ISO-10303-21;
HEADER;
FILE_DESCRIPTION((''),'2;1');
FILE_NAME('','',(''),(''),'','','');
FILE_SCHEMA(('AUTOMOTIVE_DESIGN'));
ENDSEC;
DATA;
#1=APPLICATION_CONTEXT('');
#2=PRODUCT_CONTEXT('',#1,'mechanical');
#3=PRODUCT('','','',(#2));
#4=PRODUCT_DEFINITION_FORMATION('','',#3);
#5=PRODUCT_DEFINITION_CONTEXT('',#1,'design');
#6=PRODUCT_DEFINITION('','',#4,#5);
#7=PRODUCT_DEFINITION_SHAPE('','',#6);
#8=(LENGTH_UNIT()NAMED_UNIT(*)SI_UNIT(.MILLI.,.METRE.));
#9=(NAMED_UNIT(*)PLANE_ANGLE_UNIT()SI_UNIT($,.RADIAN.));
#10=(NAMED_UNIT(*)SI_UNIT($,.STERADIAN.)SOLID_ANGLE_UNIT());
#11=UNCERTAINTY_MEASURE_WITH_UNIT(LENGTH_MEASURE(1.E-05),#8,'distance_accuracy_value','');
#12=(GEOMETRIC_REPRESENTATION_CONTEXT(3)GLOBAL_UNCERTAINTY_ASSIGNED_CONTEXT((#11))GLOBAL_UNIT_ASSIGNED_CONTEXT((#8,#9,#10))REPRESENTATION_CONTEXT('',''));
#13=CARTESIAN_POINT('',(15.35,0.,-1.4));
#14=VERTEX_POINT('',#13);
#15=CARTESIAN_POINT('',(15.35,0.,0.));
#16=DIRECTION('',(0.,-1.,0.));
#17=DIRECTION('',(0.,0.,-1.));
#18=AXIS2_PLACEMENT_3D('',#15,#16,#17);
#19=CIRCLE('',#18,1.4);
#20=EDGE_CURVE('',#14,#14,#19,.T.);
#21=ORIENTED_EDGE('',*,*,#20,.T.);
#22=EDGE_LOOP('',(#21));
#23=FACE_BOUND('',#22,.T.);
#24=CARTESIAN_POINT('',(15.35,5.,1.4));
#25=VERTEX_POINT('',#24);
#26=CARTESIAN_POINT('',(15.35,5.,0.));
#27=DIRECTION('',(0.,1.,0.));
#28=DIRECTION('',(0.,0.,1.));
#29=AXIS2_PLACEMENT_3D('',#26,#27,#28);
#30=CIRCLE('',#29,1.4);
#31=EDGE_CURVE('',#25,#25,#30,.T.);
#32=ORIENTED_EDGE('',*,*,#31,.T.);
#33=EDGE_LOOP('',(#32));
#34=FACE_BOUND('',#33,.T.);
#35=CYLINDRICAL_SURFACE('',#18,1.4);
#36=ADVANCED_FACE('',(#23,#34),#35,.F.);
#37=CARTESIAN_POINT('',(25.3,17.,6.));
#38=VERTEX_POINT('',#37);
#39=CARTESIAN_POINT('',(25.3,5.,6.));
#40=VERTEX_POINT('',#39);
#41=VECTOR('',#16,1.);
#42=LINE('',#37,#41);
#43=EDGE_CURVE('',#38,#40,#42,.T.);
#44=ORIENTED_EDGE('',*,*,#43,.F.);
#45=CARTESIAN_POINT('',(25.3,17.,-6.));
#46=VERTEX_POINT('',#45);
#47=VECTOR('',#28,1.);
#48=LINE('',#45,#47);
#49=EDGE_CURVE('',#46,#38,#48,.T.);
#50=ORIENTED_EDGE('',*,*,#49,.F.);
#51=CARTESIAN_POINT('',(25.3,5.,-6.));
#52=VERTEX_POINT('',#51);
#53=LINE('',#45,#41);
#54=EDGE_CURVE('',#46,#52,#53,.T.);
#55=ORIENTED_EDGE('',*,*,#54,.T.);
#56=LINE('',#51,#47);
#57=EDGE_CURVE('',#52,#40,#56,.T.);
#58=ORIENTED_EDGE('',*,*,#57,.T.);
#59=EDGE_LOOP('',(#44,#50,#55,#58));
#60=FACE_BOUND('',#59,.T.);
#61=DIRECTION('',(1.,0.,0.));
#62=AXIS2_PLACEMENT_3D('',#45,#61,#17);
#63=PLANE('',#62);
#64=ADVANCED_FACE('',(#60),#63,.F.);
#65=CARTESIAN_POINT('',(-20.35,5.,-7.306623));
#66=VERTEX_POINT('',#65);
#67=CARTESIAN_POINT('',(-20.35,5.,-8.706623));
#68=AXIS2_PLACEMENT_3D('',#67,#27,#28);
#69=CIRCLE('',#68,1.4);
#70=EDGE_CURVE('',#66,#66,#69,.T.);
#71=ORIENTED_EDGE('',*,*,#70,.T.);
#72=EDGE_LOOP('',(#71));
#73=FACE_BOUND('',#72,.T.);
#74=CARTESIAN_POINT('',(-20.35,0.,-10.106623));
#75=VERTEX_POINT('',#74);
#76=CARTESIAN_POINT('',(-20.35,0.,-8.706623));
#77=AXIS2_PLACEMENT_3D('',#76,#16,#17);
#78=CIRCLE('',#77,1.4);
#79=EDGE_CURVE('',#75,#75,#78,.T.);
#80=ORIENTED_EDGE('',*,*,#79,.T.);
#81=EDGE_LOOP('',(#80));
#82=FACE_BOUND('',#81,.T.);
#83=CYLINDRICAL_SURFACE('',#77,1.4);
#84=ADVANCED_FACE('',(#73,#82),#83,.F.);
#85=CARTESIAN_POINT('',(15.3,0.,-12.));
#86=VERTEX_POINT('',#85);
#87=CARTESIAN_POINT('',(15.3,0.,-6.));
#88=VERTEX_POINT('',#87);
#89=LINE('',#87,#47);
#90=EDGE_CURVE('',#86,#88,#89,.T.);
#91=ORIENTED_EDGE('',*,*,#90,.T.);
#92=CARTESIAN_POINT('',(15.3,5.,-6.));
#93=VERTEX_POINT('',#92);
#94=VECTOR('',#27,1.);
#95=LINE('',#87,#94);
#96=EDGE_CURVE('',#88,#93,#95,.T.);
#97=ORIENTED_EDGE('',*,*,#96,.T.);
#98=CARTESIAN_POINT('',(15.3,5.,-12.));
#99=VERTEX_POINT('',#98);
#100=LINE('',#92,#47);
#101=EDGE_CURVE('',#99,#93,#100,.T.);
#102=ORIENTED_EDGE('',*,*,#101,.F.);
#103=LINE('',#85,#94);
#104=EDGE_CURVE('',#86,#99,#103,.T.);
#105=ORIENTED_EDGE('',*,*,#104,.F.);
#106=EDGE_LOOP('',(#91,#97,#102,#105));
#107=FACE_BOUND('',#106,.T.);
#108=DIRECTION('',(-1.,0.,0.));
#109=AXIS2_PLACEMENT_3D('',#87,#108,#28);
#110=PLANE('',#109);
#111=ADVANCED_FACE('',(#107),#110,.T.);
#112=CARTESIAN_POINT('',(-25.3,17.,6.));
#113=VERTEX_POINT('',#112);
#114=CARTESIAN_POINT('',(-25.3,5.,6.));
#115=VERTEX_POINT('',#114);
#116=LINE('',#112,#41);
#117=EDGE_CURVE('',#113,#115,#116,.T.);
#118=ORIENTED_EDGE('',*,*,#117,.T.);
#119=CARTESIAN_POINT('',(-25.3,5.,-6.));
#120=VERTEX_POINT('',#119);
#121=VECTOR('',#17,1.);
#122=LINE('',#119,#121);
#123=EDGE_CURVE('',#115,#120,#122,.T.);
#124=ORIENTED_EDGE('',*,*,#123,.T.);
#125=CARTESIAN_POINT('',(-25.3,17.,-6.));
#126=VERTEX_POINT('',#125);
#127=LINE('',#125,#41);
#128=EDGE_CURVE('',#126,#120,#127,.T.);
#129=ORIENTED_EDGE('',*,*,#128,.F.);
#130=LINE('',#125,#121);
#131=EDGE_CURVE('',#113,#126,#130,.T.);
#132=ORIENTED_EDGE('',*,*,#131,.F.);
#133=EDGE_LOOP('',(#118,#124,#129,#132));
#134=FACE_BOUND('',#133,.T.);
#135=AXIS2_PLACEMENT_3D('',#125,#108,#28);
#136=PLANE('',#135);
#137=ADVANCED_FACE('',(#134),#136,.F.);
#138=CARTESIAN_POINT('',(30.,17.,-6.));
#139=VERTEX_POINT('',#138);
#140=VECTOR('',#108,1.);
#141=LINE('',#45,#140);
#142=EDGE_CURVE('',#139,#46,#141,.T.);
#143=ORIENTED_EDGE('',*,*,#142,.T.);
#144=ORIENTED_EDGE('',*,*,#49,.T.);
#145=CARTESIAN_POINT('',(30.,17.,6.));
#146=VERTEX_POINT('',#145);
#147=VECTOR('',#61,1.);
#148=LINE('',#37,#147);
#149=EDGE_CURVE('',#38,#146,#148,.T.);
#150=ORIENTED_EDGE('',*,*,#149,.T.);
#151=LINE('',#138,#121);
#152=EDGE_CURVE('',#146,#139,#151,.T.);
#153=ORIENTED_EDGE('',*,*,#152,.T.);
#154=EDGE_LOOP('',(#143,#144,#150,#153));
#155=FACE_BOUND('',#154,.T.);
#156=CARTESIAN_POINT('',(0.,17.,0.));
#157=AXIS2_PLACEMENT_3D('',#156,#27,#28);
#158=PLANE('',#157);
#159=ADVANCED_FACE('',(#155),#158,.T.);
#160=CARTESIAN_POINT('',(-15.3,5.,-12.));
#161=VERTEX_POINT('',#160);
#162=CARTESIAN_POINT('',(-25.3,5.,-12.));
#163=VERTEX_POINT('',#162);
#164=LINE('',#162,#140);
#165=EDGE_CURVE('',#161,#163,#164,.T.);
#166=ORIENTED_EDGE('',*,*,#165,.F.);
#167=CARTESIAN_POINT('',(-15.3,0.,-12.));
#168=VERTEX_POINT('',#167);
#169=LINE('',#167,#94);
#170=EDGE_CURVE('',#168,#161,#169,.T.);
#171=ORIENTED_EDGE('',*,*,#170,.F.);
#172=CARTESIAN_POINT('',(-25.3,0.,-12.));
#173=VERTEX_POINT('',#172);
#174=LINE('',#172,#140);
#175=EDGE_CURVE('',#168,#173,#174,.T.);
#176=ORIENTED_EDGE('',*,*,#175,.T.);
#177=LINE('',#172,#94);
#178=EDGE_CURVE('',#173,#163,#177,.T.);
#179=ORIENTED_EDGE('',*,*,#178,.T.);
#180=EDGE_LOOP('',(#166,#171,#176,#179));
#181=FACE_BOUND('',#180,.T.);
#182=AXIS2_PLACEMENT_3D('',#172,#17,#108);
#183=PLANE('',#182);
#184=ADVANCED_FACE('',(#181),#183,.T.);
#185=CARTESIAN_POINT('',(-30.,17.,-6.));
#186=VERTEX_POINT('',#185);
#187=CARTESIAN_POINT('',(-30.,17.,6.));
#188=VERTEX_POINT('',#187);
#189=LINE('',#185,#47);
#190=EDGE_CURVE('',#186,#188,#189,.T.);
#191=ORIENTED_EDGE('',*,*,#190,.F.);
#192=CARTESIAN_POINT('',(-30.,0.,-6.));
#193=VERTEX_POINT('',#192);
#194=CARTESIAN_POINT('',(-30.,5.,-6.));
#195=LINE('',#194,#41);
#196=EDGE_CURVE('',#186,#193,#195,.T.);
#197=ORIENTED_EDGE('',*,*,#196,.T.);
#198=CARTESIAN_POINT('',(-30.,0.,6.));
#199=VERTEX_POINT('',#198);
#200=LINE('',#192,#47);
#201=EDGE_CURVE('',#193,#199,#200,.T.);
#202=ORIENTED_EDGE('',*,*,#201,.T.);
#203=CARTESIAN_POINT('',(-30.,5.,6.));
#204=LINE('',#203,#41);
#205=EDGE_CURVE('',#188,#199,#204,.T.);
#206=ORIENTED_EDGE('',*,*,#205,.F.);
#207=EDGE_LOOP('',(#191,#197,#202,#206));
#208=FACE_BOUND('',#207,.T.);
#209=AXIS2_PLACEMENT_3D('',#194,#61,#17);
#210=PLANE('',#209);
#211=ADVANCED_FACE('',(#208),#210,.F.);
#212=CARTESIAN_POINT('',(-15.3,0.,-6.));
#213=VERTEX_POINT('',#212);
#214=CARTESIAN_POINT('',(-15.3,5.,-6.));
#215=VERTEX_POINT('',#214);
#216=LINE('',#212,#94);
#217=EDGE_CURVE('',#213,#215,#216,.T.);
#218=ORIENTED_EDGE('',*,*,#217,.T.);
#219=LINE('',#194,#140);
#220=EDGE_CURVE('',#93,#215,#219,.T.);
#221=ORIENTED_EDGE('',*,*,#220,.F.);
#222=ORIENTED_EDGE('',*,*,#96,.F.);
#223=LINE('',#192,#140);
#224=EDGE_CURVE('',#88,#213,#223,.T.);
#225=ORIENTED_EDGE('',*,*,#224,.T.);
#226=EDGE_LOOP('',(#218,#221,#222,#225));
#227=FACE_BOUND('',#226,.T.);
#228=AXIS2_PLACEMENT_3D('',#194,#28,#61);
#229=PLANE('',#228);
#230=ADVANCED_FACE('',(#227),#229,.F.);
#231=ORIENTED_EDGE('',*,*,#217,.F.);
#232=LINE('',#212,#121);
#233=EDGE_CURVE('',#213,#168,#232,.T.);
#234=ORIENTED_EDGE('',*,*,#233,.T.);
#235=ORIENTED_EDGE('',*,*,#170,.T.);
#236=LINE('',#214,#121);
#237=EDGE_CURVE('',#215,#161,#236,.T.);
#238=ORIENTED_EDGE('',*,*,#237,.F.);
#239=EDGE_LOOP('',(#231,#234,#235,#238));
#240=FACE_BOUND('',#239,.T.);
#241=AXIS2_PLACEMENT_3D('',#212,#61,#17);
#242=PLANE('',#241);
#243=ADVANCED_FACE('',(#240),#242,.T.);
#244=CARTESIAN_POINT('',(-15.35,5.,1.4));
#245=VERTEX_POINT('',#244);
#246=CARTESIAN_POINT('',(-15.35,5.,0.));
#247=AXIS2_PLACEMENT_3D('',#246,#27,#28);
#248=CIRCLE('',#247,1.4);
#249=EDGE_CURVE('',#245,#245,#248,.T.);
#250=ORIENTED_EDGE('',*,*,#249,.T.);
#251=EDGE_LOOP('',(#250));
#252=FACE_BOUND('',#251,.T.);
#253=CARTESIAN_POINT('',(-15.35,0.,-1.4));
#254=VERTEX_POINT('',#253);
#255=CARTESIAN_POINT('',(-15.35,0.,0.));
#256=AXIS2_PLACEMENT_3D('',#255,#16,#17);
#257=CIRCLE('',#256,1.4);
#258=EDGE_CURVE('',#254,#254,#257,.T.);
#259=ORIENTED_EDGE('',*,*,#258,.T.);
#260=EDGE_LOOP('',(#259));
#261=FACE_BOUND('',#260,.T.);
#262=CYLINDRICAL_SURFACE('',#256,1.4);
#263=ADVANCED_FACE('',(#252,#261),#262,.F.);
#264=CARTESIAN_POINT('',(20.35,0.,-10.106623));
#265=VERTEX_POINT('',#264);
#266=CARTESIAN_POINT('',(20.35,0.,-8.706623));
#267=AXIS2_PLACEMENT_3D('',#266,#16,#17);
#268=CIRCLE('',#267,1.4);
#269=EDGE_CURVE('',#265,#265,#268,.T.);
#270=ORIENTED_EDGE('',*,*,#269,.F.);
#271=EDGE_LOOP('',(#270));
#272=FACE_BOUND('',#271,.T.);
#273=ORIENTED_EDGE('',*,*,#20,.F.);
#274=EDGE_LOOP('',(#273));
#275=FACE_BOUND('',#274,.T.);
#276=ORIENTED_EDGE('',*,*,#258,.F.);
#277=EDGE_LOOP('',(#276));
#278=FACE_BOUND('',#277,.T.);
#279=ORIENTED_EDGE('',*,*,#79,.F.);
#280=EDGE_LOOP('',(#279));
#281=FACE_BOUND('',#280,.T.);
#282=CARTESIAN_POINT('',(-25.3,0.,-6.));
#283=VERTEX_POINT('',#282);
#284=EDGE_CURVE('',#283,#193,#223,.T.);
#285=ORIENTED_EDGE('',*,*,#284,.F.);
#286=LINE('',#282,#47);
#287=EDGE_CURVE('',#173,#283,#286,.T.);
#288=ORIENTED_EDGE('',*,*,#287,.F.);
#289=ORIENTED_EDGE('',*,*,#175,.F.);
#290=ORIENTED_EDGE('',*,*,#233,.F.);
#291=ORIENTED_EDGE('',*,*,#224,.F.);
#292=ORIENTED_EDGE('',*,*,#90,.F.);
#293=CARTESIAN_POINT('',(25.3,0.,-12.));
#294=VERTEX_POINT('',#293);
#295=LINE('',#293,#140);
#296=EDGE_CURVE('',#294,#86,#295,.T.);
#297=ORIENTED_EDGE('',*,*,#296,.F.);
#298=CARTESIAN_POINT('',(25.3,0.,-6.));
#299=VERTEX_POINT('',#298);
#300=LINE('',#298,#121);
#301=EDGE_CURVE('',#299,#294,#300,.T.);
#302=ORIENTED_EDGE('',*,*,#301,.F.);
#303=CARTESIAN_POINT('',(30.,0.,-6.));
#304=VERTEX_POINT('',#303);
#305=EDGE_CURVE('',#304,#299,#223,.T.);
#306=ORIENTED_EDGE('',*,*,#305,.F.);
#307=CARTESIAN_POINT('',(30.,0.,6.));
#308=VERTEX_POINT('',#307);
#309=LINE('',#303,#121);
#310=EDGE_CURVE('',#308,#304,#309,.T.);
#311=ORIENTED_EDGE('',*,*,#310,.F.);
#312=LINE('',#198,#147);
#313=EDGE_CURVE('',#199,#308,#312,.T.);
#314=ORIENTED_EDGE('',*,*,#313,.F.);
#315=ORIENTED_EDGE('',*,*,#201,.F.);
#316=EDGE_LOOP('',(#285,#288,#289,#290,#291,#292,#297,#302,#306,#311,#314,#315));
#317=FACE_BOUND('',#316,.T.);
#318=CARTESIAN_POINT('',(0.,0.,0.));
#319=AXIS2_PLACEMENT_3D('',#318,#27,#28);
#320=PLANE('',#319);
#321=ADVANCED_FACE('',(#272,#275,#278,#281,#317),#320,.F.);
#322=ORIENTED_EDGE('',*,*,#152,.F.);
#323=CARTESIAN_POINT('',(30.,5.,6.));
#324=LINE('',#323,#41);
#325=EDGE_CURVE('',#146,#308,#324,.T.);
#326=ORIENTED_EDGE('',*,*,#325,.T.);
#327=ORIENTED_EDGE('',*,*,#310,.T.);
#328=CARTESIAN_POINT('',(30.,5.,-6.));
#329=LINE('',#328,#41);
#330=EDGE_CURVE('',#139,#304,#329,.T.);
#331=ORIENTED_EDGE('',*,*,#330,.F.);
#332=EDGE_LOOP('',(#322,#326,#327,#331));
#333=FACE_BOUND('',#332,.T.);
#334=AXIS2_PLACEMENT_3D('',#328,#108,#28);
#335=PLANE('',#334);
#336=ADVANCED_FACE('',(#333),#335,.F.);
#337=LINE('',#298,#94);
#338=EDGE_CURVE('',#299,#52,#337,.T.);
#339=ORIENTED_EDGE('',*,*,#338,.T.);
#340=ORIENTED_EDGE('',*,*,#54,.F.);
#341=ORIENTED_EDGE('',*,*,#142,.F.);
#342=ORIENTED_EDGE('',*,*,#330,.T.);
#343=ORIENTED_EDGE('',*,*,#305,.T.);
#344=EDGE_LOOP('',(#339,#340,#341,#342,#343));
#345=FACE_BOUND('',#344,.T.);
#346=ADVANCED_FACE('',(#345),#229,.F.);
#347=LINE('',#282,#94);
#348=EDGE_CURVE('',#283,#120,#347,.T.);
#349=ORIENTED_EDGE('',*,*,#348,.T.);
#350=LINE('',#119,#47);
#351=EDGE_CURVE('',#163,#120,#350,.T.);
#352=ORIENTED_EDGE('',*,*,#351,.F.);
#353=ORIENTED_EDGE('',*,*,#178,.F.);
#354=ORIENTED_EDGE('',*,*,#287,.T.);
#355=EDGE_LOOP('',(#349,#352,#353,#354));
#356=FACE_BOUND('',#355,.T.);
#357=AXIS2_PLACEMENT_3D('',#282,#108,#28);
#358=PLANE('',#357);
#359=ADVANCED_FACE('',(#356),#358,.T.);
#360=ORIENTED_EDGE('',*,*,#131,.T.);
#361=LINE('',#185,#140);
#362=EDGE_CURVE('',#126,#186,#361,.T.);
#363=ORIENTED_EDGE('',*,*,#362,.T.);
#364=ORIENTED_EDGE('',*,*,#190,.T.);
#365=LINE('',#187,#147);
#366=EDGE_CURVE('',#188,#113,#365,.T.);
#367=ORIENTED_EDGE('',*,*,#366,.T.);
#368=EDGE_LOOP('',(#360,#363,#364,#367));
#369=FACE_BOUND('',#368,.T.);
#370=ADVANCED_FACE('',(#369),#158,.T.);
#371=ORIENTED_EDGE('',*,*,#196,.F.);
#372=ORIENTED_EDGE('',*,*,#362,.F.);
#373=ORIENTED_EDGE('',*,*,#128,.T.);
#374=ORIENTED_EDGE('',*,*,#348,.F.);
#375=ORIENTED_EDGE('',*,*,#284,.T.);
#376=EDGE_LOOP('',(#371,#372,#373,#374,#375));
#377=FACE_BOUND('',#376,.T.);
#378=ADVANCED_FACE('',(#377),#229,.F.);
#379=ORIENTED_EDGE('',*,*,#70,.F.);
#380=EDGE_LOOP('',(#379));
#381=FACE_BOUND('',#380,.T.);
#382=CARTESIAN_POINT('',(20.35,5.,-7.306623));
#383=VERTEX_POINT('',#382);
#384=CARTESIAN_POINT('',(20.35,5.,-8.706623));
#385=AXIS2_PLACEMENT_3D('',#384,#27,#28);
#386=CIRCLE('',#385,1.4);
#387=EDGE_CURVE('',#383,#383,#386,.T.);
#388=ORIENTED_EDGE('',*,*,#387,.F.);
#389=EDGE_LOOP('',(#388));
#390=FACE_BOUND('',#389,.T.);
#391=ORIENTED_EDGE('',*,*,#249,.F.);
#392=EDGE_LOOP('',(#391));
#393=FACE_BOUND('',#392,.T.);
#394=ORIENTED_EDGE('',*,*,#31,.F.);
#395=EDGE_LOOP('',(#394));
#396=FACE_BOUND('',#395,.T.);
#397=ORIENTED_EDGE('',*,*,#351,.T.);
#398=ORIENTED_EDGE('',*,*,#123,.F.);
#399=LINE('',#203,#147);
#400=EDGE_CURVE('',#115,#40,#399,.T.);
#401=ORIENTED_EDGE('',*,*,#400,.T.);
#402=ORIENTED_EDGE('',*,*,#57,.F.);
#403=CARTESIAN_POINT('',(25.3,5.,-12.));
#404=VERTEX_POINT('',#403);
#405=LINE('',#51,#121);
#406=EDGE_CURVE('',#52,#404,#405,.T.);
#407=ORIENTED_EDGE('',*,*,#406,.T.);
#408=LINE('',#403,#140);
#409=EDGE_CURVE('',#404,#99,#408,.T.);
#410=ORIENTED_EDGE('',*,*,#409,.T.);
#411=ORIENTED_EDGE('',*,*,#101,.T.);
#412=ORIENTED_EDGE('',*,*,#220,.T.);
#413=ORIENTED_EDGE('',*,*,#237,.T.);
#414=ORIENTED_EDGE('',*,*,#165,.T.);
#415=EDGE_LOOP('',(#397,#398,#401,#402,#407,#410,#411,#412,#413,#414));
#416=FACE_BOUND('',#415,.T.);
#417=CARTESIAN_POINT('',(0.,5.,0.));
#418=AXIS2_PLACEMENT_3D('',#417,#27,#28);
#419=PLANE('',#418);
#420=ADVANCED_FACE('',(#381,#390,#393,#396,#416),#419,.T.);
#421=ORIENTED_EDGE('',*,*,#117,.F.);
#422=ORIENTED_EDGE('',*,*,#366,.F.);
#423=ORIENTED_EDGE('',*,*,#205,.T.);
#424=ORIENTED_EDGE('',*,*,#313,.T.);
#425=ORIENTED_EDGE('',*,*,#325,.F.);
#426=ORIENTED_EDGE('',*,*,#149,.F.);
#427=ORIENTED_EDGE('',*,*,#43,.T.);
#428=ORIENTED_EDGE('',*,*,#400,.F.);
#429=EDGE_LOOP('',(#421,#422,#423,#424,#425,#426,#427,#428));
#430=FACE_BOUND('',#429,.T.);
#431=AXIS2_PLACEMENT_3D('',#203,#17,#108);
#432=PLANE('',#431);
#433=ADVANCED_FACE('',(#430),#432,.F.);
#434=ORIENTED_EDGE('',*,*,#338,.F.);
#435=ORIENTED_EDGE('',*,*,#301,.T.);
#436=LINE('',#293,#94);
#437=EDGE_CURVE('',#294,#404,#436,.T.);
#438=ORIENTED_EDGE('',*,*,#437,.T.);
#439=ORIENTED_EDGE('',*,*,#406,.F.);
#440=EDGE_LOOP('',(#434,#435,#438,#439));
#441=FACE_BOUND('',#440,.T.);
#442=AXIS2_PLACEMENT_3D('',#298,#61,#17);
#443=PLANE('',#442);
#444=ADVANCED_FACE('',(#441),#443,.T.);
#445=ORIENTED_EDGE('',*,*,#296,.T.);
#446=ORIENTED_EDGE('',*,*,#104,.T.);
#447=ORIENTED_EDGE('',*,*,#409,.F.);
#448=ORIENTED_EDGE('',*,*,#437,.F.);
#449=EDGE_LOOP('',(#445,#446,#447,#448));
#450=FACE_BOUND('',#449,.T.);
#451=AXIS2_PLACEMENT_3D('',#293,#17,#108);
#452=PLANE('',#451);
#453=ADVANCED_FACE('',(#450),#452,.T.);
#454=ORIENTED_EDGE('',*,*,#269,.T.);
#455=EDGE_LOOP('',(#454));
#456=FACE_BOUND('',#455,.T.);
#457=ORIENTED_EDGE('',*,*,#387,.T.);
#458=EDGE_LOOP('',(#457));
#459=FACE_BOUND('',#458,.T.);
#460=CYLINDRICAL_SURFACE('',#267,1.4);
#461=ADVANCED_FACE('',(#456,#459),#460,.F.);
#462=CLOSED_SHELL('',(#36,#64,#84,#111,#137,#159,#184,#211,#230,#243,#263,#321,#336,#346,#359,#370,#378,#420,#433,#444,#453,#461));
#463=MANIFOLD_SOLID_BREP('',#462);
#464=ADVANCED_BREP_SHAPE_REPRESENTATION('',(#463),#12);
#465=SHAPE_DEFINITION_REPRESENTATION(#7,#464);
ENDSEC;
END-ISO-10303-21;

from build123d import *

# Parameters (mm, degrees)
SKETCH_1_W      = 60
SKETCH_1_H      = 12
EXTRUDE_1_DEPTH = 5
SKETCH_2_W      = 4.7
SKETCH_2_H      = 12
EXTRUDE_2_DEPTH = 12
M3X0_5_3_D      = 2.8
SKETCH_12_W     = 10
SKETCH_12_H     = 6
EXTRUDE_3_DEPTH = 5
M3X0_5_4_D      = 2.8


with BuildPart() as part:
    # 草图1 → 凸台-拉伸1 (new body)
    with BuildSketch(Plane(origin=(0, 0, 0), x_dir=(1, 0, 0), z_dir=(0, 1, 0))):
        Rectangle(SKETCH_1_W, SKETCH_1_H)
    extrude(amount=EXTRUDE_1_DEPTH)

    # 草图2 → 凸台-拉伸2 (add)
    with BuildSketch(Plane(origin=(0, 5, 0), x_dir=(1, 0, 0), z_dir=(0, 1, 0))):
        with Locations((-27.65, 0)):
            Rectangle(SKETCH_2_W, SKETCH_2_H)
        with Locations((27.65, 0)):
            Rectangle(SKETCH_2_W, SKETCH_2_H)
    extrude(amount=EXTRUDE_2_DEPTH)

    # M3x0.5 螺纹孔3 (through all)
    with Locations(Plane(origin=(0, 0, 0), x_dir=(-1, 0, 0), z_dir=(0, -1, 0))):
        with Locations((-15.35, 0), (15.35, 0)):
            Hole(M3X0_5_3_D / 2)

    # 草图12 → 凸台-拉伸3 (add)
    with BuildSketch(Plane(origin=(0, 5, 0), x_dir=(1, 0, 0), z_dir=(0, 1, 0))):
        with Locations((-20.3, 9)):
            Rectangle(SKETCH_12_W, SKETCH_12_H)
        with Locations((20.3, 9)):
            Rectangle(SKETCH_12_W, SKETCH_12_H)
    extrude(amount=-EXTRUDE_3_DEPTH)

    # M3x0.5 螺纹孔4 (through all)
    with Locations(Plane(origin=(0, 0, 0), x_dir=(-1, 0, 0), z_dir=(0, -1, 0))):
        with Locations((20.35, 8.706622657), (-20.35, 8.706622657)):
            Hole(M3X0_5_4_D / 2)


solid = part.part
